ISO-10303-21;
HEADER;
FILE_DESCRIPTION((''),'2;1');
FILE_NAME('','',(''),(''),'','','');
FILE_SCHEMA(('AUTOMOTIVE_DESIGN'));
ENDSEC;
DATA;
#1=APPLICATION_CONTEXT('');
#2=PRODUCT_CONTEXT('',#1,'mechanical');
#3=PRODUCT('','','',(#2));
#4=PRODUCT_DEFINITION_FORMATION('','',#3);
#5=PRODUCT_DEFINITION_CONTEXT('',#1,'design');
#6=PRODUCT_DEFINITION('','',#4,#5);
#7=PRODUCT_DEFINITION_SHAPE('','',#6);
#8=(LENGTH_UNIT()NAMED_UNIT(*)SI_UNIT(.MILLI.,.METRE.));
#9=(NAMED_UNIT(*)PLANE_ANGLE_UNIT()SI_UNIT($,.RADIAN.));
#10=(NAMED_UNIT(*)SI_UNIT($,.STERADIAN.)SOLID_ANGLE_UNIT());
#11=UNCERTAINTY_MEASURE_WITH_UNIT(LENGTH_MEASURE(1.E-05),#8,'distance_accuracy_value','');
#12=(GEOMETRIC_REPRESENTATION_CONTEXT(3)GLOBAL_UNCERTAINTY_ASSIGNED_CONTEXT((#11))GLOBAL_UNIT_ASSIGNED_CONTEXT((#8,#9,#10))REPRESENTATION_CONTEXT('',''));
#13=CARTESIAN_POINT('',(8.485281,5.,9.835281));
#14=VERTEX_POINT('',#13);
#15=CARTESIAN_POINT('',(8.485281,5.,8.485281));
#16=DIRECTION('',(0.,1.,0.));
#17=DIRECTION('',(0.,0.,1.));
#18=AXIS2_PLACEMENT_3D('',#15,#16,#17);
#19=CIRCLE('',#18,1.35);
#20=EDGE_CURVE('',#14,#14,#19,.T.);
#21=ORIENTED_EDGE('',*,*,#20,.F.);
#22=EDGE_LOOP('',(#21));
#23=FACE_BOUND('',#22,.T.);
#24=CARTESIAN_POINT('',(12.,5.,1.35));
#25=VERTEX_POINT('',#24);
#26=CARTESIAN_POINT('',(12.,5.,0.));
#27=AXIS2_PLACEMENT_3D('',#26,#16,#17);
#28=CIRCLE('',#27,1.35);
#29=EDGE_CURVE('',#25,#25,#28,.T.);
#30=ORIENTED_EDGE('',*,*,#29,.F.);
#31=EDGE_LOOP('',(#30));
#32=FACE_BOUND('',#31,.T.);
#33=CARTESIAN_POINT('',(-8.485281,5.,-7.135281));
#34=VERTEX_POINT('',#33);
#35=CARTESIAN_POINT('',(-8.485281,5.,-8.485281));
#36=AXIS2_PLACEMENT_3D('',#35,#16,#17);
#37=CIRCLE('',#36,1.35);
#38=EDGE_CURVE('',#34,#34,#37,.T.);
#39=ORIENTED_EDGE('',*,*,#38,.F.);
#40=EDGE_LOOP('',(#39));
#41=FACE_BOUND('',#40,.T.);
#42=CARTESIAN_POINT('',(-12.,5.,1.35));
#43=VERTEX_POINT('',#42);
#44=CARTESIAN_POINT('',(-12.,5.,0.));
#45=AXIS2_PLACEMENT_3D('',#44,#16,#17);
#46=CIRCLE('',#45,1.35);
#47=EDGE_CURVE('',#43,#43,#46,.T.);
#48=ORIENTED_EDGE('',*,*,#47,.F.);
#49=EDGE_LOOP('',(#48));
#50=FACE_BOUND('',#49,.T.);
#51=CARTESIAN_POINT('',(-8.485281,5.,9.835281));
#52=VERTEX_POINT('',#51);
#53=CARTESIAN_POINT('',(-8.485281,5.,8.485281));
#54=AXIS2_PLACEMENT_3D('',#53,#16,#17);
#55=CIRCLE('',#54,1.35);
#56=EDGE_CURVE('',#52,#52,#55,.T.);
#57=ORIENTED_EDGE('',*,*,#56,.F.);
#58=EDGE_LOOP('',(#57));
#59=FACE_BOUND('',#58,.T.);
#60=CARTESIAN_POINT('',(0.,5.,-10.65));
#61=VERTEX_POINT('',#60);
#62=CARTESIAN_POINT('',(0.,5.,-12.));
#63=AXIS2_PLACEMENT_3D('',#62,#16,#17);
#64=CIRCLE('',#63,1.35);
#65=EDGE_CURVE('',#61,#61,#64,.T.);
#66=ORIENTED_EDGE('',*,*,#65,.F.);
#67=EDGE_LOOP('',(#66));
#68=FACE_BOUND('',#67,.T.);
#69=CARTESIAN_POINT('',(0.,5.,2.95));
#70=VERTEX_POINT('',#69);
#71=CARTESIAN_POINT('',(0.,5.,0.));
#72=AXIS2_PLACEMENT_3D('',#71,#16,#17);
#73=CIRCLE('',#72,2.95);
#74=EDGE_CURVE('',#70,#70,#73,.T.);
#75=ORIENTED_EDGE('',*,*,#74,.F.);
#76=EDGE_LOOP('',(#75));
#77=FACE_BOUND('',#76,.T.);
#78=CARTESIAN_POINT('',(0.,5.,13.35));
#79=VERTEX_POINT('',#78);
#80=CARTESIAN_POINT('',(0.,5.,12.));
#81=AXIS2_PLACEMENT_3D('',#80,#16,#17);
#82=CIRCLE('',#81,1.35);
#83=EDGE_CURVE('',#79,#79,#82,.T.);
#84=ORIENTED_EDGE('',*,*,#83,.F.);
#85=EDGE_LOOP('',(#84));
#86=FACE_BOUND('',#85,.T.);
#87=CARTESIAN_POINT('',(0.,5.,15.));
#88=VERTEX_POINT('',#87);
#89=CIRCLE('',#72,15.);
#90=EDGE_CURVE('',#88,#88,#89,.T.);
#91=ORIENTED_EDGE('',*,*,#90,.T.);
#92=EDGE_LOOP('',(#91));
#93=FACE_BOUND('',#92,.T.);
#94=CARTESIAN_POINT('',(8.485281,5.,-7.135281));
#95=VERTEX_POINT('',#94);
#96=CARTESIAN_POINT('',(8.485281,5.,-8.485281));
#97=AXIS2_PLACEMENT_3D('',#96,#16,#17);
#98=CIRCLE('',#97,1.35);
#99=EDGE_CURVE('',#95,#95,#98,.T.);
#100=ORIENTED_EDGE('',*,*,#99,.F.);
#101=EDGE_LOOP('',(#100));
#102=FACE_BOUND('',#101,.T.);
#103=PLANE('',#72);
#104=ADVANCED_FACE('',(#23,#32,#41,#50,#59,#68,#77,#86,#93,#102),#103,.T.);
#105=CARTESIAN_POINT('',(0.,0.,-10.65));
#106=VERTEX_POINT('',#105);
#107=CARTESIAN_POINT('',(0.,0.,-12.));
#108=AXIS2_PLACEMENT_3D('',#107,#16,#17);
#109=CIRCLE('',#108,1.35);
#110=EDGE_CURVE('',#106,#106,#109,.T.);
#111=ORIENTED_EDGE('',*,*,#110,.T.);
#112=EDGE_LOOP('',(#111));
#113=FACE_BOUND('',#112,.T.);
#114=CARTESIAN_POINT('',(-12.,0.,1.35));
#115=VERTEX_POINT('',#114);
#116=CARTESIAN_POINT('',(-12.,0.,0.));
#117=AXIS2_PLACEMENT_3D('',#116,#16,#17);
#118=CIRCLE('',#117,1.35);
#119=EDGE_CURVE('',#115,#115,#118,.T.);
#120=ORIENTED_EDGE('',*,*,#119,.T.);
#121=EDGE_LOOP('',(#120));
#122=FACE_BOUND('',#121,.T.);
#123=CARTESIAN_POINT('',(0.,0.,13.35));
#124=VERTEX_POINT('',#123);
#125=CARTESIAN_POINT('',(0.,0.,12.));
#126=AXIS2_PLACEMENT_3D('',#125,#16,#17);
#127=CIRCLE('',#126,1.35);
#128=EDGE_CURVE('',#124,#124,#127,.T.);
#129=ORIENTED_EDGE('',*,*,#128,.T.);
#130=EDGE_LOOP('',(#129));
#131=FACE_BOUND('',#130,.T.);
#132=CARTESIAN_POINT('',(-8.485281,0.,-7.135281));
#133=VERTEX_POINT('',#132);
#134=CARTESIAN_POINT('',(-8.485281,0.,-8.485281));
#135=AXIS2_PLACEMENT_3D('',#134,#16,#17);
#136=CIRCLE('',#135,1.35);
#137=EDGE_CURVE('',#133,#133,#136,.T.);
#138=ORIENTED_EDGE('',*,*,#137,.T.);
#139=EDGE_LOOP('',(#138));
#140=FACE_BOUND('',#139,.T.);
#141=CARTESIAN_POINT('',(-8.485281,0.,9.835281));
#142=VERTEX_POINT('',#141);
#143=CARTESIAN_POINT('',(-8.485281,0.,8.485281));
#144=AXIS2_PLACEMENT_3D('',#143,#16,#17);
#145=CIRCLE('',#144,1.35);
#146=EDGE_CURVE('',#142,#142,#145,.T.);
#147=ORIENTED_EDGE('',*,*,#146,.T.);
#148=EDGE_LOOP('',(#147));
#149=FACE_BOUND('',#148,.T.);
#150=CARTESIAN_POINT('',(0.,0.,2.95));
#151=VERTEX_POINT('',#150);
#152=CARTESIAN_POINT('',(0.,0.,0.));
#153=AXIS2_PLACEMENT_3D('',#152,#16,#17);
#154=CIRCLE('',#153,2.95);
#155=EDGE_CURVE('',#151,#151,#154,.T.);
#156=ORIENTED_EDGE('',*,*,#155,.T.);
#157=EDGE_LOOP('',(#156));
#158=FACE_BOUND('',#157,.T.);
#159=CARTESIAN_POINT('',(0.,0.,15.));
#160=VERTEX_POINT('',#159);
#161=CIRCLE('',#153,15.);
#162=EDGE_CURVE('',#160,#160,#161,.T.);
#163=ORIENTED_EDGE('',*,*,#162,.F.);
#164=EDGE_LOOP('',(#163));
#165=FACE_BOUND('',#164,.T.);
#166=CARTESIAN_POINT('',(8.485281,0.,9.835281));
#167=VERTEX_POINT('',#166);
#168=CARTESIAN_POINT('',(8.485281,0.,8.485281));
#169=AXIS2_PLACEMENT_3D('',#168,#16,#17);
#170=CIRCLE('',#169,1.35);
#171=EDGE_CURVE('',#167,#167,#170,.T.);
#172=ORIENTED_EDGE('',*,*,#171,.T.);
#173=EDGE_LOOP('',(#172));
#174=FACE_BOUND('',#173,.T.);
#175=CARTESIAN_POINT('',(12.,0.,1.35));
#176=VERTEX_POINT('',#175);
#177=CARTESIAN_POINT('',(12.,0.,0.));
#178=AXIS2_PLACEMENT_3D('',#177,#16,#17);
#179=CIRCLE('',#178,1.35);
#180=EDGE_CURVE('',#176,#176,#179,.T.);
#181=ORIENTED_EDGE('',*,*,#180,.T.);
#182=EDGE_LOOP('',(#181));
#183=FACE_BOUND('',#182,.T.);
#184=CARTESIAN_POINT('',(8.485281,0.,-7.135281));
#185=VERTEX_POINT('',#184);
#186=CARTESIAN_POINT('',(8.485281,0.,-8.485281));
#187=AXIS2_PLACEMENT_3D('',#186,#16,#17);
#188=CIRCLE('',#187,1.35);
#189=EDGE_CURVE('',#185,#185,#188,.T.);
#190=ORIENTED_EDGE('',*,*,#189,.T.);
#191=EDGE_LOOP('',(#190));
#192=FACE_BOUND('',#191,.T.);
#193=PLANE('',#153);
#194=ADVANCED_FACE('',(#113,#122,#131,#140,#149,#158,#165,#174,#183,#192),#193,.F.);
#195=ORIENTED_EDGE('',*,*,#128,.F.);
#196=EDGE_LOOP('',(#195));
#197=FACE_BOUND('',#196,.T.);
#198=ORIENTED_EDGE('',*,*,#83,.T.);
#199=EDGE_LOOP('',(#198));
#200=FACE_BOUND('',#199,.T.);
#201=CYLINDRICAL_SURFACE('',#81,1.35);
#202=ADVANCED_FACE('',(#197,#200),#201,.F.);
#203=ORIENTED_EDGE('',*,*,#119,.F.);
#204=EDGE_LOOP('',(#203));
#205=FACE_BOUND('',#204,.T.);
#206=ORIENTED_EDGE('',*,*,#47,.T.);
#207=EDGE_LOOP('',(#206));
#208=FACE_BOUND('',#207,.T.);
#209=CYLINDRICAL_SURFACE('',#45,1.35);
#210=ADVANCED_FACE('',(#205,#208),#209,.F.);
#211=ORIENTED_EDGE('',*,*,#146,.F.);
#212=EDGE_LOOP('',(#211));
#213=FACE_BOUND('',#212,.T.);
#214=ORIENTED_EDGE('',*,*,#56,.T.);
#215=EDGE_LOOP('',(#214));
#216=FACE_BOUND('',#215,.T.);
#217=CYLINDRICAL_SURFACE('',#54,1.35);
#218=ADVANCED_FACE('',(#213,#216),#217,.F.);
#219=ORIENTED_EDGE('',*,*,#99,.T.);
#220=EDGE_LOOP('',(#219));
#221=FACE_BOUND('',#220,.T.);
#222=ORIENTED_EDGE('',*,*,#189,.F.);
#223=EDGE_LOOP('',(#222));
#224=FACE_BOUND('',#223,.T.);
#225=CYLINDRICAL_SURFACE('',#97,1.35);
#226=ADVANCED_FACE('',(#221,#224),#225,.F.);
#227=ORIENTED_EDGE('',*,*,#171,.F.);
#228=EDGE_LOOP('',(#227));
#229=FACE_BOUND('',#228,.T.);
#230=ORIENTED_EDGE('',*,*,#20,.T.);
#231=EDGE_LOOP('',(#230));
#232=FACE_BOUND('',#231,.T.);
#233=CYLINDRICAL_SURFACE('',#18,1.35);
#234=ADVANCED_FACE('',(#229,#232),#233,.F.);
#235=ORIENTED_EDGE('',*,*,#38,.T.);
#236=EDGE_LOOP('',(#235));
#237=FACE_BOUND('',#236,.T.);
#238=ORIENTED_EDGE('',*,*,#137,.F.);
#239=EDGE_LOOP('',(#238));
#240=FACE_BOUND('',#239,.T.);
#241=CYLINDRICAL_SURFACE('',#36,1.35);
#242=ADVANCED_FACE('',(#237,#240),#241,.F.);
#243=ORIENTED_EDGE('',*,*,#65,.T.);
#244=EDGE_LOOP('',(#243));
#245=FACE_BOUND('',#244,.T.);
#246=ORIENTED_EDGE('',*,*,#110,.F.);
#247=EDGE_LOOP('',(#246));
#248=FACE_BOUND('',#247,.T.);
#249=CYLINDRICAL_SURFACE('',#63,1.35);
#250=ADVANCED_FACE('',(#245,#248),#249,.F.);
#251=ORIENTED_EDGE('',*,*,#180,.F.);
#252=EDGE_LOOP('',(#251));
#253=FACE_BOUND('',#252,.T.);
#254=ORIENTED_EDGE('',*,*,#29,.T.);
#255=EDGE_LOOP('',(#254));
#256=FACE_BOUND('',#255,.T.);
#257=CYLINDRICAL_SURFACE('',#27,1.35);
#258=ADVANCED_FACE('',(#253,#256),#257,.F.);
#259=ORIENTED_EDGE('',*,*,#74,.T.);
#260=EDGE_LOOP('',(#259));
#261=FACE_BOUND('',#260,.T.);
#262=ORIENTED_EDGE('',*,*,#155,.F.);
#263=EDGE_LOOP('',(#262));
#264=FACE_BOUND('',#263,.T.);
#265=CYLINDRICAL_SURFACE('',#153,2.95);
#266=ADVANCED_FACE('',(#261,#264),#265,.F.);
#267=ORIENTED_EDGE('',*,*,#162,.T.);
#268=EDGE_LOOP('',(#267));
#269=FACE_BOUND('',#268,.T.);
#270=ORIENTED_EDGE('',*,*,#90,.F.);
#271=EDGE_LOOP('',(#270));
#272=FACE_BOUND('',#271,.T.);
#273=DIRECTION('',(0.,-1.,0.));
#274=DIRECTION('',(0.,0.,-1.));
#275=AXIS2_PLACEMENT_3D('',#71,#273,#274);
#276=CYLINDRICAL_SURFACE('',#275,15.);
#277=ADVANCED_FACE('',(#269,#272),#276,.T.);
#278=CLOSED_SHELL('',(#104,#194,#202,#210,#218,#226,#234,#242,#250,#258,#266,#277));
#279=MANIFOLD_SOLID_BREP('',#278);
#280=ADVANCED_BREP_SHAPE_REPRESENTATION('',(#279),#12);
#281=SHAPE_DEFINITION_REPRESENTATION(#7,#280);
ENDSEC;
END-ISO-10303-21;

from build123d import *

# Parameters (mm, degrees)
ESQUISSE1_R             = 15
BOSS_EXTRU_1_DEPTH      = 5
ESQUISSE2_R             = 2.95
ENL_V_MAT_EXTRU_1_DEPTH = 22.794494718
D_GAGEMENT_M2_51_D      = 2.7


with BuildPart() as part:
    # Esquisse1 → Boss.-Extru.1 (new body)
    with BuildSketch(Plane(origin=(0, 0, 0), x_dir=(1, 0, 0), z_dir=(0, 1, 0))):
        with Locations(Location((0, 0, 0), (0, 0, 270))):
            Circle(ESQUISSE1_R)
    extrude(amount=BOSS_EXTRU_1_DEPTH)

    # Esquisse2 → Enlèv. mat.-Extru.1 (cut, through all)
    with BuildSketch(Plane(origin=(0, 5, 0), x_dir=(1, 0, 0), z_dir=(0, 1, 0))):
        with Locations(Location((0, 0, 0), (0, 0, 270))):
            Circle(ESQUISSE2_R)
    extrude(amount=-ENL_V_MAT_EXTRU_1_DEPTH, mode=Mode.SUBTRACT)

    # Dégagement M2.51 (through all)
    with Locations(Plane(origin=(0, 5, 0), x_dir=(1, 0, 0), z_dir=(0, 1, 0))):
        with Locations((0, 0), (-12, 0), (-8.485281374, 8.485281374), (0, 12), (8.485281374, 8.485281374), (12, 0), (8.485281374, -8.485281374), (0, -12), (-8.485281374, -8.485281374)):
            Hole(D_GAGEMENT_M2_51_D / 2)


solid = part.part
